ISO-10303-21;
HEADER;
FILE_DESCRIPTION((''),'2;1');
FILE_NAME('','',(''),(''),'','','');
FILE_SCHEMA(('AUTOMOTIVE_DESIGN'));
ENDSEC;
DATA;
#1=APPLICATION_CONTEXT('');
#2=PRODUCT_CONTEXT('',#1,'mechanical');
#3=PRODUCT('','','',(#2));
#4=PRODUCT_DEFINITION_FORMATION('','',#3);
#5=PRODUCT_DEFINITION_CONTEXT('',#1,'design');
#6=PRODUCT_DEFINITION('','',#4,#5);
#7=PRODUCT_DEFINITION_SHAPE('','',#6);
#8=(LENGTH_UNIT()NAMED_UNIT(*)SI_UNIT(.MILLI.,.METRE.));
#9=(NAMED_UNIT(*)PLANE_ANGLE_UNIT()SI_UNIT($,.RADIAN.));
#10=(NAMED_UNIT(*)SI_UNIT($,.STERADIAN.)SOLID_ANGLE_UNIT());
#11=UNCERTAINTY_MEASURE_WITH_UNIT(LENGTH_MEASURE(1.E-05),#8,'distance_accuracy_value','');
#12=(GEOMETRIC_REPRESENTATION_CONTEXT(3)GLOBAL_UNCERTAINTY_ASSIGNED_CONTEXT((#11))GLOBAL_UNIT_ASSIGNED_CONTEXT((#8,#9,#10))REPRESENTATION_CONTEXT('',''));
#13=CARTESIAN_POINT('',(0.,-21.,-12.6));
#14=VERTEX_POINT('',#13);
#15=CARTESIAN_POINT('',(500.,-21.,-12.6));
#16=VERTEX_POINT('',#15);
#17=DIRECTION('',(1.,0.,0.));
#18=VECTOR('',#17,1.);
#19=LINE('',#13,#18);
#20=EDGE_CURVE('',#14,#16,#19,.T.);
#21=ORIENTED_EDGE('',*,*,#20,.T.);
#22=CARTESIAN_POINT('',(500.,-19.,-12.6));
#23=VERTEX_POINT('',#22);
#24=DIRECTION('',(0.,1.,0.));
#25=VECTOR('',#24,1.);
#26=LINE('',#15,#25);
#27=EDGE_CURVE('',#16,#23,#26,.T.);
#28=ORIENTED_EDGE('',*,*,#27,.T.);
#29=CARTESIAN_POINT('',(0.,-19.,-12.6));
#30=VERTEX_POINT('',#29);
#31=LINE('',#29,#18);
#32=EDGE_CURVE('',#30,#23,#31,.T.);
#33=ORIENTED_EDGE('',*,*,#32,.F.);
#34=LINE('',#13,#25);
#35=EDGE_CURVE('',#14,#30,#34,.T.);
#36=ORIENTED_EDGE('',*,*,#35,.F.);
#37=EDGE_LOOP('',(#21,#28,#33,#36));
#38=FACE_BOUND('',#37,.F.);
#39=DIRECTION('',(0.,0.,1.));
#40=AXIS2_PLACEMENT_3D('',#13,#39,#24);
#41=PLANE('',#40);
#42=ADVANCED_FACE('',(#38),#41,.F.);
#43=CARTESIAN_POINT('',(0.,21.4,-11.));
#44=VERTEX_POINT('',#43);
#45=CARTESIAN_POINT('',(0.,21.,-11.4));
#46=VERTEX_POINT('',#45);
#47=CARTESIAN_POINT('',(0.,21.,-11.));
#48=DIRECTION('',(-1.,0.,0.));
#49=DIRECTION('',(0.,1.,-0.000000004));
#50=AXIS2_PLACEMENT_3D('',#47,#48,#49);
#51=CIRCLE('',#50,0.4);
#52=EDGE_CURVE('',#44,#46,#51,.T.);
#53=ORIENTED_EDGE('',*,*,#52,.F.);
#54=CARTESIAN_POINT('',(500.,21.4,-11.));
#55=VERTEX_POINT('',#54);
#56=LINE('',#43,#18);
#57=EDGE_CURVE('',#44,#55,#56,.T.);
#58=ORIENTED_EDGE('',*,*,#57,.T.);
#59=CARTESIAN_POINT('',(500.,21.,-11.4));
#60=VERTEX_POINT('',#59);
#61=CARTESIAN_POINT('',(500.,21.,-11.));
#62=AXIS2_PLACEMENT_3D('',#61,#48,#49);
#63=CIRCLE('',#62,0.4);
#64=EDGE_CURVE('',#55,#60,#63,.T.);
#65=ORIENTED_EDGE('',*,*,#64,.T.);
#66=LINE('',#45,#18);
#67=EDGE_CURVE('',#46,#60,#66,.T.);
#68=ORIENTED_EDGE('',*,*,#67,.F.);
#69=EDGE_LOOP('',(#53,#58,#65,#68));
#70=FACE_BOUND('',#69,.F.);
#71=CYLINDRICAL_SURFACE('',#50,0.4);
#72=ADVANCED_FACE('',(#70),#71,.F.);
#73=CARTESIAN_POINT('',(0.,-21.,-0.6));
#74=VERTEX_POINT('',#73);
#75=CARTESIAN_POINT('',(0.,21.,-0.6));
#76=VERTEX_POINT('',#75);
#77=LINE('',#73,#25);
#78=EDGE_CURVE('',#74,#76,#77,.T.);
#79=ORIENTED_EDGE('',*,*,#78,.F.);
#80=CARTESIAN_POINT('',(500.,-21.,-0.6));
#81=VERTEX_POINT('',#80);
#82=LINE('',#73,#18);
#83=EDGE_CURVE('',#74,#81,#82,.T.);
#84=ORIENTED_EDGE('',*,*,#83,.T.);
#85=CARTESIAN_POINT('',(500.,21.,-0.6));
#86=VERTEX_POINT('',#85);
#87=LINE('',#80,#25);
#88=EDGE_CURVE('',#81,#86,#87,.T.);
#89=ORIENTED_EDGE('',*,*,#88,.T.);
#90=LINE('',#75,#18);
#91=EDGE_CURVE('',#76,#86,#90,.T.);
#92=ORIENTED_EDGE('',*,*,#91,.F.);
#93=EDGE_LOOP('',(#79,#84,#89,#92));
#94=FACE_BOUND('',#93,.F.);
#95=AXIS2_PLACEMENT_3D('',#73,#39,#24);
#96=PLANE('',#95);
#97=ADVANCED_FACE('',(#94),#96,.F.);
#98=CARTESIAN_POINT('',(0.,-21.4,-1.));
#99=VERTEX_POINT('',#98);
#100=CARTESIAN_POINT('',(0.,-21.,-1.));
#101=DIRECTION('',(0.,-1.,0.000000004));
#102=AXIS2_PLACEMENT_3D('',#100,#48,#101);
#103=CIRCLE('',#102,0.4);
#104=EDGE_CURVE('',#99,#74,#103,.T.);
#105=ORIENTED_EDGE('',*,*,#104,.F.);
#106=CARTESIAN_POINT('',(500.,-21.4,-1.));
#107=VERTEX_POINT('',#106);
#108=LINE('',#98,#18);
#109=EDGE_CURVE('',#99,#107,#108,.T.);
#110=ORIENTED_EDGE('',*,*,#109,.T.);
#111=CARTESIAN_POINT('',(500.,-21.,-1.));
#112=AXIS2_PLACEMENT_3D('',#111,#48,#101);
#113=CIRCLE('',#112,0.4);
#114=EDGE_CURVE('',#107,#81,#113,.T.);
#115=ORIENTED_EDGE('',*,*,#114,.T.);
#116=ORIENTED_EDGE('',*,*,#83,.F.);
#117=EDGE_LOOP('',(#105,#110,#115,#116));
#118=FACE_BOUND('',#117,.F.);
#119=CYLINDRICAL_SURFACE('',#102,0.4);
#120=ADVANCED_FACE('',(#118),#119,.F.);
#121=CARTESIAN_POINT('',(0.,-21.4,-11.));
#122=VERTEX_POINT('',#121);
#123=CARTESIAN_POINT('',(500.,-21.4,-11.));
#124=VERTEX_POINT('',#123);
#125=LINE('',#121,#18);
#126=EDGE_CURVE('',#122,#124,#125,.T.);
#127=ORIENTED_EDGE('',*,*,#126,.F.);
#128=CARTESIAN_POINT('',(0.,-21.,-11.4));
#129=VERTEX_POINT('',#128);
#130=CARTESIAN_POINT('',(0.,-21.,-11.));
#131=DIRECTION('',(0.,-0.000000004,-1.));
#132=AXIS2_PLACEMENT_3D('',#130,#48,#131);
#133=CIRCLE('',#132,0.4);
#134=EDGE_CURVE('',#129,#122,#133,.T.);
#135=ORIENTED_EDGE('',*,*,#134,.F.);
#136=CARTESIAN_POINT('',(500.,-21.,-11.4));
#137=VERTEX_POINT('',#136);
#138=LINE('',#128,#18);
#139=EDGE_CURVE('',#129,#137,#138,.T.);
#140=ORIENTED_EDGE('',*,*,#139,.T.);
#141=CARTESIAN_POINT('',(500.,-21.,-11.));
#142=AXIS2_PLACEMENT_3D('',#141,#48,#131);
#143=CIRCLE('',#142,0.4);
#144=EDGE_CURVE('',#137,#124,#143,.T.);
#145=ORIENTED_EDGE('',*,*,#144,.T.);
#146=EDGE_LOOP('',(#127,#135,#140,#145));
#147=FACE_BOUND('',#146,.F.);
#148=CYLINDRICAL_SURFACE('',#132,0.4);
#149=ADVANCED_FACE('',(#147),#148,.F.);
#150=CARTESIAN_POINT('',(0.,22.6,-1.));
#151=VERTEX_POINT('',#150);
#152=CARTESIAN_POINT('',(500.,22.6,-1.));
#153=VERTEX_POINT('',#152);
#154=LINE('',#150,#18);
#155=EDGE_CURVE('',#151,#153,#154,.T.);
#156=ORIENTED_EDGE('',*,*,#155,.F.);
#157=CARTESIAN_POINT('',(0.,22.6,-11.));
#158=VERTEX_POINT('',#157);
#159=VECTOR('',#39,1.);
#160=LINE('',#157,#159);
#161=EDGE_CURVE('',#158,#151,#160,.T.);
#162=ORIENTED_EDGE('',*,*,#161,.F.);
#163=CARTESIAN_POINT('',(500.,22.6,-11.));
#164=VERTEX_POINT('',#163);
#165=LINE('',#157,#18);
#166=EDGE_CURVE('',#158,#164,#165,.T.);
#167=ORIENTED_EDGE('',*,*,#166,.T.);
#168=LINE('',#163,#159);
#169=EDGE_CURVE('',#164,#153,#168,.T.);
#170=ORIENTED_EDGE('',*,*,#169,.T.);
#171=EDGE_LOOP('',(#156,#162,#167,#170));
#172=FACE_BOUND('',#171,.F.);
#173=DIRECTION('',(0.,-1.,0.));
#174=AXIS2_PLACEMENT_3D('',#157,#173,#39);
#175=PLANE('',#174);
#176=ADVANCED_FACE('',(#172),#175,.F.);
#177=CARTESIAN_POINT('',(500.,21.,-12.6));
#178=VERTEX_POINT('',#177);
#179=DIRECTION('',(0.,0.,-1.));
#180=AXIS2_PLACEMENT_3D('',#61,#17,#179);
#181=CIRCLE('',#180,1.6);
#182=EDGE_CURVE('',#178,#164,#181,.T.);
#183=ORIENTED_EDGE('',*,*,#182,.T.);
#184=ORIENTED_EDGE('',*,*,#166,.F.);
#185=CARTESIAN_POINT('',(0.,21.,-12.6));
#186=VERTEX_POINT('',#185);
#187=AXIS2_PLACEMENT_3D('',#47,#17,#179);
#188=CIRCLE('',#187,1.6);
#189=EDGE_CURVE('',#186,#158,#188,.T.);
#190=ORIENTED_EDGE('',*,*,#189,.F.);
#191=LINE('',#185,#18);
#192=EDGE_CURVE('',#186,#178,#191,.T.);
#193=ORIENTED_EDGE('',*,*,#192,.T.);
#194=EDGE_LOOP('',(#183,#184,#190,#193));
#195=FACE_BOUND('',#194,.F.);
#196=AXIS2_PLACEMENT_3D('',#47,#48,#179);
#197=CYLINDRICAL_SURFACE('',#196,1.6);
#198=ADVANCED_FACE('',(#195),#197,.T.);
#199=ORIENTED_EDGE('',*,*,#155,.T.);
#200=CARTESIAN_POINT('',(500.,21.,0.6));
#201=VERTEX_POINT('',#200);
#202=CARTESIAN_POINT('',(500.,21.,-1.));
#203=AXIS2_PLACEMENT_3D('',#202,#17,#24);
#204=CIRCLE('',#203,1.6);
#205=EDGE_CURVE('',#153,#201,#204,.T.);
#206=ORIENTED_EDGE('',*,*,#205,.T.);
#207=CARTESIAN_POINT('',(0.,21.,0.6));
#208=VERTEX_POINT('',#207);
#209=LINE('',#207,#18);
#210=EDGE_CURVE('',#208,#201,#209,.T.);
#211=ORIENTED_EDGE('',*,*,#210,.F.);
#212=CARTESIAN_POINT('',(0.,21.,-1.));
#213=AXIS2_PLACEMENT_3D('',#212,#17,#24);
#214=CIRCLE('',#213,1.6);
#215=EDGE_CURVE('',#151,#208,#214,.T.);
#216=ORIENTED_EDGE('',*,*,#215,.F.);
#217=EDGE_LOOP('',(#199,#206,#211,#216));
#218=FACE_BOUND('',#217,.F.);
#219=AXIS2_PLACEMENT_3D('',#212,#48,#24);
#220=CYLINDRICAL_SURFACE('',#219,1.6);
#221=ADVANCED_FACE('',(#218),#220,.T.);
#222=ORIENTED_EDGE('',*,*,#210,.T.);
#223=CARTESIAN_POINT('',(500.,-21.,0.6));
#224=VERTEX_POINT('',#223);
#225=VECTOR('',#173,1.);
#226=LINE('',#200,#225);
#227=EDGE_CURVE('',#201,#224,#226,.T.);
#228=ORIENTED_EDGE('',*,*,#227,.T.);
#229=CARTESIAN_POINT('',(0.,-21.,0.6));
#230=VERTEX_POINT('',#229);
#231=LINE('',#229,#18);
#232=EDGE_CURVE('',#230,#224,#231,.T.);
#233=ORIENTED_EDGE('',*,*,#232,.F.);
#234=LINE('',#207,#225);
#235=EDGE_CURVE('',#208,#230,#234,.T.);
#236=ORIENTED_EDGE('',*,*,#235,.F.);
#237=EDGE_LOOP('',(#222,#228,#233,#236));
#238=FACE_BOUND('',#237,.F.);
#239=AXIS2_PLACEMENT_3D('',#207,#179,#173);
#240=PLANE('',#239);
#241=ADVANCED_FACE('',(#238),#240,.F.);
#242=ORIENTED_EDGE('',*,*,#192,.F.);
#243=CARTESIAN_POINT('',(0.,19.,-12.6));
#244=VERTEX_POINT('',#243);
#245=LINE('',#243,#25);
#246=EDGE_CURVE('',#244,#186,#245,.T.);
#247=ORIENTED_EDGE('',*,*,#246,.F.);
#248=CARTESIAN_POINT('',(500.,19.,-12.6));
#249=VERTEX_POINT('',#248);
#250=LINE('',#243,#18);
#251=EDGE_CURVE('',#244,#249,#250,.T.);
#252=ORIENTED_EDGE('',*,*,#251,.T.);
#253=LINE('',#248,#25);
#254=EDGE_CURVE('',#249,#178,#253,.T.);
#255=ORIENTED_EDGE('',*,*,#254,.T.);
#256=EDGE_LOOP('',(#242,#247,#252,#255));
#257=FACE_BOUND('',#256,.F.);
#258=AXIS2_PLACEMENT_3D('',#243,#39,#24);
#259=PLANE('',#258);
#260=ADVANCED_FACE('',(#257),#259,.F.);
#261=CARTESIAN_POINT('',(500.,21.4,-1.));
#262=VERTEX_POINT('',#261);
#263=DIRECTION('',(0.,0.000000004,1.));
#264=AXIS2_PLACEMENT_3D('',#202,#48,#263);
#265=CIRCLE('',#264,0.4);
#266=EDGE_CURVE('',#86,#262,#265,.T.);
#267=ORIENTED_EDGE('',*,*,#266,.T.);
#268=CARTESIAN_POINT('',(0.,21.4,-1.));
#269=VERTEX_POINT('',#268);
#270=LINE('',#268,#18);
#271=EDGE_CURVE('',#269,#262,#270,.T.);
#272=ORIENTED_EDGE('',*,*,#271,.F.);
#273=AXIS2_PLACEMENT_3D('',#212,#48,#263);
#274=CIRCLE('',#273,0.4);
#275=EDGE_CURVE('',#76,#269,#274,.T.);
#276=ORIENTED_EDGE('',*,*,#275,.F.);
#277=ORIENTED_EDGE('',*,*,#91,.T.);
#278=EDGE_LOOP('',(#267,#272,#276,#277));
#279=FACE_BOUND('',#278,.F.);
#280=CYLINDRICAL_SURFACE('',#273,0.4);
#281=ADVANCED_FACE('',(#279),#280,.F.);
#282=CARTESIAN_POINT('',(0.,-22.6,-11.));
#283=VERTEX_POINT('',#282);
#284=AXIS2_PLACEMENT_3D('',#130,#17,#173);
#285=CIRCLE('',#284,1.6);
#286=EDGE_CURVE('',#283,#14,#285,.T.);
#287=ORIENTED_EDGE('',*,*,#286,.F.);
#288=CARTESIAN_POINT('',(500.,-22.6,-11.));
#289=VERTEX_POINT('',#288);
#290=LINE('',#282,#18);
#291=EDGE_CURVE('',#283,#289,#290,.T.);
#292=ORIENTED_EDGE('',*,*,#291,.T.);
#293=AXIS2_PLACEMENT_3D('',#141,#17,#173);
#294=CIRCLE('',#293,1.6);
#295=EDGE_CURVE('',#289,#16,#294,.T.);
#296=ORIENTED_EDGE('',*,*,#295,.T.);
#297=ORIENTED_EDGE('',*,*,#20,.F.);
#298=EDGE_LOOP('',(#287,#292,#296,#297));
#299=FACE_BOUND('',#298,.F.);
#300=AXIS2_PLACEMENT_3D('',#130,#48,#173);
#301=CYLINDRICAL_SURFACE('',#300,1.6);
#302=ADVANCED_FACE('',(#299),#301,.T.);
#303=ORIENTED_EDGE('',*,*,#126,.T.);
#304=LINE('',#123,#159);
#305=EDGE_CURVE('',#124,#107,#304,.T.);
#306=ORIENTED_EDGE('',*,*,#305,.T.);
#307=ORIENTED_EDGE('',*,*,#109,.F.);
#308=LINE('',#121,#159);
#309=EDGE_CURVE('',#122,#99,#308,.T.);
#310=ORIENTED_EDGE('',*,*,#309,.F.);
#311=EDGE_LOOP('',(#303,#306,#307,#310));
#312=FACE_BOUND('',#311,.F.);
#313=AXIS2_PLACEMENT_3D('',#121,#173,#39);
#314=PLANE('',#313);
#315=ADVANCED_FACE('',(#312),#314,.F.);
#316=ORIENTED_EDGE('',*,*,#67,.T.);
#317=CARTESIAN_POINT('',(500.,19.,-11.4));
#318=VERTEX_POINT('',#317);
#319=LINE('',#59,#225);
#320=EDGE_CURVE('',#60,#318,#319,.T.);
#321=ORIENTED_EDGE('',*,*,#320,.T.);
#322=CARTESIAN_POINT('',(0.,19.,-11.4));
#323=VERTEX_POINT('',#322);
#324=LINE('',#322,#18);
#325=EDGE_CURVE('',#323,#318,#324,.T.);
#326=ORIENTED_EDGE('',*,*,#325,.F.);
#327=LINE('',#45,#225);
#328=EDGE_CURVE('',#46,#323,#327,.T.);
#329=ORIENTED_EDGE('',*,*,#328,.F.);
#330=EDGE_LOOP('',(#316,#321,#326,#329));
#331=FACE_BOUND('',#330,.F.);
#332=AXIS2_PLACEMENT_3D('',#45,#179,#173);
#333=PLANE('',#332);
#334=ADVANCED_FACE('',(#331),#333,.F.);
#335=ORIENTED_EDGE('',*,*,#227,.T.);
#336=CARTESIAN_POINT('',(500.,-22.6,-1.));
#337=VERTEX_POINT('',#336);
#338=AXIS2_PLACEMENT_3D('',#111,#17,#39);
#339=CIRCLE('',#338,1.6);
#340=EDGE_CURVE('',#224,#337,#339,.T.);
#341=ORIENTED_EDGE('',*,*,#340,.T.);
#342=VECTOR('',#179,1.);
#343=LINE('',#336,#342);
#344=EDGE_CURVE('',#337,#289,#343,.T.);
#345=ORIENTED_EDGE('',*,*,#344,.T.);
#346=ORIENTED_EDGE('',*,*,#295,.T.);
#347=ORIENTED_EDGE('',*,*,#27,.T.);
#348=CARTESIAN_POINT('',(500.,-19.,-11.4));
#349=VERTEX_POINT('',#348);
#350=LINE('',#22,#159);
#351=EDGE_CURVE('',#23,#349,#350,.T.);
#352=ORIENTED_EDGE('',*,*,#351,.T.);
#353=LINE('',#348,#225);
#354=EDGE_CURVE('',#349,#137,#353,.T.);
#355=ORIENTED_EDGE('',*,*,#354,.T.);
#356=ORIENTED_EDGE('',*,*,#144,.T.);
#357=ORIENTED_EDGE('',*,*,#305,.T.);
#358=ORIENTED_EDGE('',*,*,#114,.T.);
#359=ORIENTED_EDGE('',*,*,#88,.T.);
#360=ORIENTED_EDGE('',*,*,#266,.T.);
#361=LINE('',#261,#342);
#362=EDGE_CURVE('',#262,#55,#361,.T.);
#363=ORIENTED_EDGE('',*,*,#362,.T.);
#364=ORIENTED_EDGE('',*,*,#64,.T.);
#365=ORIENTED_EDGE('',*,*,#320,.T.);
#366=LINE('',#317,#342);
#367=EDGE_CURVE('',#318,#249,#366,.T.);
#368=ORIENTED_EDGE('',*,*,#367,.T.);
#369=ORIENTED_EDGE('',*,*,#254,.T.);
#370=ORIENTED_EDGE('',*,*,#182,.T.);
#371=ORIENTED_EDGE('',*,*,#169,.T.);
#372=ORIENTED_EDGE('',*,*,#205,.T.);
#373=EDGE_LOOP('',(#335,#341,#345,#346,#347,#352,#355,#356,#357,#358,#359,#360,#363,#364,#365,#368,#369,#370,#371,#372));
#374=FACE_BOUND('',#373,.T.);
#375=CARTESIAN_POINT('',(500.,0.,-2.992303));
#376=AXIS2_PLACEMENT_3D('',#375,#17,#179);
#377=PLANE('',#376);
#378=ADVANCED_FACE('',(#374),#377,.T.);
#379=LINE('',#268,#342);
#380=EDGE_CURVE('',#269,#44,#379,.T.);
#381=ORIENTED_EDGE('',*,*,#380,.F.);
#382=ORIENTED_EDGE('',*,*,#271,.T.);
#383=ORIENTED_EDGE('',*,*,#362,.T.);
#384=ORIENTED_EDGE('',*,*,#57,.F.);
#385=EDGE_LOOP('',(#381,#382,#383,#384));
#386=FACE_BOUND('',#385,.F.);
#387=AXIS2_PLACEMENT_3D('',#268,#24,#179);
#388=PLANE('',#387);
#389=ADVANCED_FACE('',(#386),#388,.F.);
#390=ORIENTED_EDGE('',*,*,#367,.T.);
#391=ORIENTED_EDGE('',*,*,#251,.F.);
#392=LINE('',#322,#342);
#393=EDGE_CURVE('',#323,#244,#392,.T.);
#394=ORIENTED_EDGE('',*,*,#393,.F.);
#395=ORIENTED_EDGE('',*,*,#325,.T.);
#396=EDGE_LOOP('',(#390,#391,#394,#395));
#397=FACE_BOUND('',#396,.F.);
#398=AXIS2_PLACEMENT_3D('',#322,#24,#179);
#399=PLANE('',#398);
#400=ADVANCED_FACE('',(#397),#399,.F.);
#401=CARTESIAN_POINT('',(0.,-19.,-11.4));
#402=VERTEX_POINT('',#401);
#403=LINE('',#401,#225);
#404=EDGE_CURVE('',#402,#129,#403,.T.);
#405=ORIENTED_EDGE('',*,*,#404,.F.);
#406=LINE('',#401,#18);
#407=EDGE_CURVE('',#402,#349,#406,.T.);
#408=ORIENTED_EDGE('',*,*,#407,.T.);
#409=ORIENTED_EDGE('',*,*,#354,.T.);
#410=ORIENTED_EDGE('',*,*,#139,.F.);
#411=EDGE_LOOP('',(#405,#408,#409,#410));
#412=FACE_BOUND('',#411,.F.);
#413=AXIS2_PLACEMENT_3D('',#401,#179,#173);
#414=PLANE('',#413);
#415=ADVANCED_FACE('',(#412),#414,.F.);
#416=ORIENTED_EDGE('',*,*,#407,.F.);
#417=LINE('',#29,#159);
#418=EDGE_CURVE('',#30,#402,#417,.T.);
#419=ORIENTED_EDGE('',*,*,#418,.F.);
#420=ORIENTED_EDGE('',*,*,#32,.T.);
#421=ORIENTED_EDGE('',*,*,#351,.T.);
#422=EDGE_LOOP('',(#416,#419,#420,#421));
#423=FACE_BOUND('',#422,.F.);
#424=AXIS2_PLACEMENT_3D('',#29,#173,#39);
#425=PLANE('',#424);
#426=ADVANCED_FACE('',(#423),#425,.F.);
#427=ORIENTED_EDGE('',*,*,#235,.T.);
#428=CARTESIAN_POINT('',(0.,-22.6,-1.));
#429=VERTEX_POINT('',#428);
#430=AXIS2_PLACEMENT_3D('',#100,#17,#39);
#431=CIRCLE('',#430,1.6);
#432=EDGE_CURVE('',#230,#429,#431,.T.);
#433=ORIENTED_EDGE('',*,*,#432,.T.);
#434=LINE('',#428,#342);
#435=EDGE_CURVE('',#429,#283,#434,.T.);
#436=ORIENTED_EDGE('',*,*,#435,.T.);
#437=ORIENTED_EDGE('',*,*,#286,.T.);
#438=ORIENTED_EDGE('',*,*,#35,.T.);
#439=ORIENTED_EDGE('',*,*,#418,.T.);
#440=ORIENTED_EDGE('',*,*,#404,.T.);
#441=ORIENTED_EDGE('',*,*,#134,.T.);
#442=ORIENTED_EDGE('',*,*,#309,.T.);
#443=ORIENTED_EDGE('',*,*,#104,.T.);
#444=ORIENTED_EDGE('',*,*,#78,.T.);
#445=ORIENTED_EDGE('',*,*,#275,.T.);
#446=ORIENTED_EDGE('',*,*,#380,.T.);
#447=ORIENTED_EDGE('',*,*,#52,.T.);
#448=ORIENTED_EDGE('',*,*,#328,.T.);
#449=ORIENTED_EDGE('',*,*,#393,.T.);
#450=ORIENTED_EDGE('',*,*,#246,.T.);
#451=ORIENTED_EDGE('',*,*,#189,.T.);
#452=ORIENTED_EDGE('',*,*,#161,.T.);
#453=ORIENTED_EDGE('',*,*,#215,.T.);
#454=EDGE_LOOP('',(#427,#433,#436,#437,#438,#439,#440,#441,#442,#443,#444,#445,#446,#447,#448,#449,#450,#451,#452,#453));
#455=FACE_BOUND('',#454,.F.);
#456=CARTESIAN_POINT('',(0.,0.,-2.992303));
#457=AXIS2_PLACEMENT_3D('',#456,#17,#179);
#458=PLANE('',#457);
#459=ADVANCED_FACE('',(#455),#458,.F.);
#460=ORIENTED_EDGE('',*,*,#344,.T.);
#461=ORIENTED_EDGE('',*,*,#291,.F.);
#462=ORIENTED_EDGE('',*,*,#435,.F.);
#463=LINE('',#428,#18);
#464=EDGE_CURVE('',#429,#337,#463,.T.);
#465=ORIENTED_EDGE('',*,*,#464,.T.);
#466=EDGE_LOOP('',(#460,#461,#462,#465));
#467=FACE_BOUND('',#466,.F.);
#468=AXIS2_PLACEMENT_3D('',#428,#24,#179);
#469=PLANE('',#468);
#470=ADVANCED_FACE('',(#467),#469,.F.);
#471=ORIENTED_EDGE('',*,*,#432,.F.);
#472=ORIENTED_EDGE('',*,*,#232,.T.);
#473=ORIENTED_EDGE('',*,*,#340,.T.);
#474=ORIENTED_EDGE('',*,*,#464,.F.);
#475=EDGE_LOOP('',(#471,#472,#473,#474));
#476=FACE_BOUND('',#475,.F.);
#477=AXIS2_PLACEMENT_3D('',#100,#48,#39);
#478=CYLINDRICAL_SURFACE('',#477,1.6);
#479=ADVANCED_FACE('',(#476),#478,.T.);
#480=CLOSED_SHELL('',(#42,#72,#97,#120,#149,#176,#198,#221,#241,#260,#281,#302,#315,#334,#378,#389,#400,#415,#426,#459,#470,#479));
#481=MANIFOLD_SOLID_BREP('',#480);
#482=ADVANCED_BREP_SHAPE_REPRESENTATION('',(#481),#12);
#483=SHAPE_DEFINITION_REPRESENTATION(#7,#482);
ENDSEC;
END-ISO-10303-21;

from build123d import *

# Parameters (mm, degrees)
EXTRUDE_1_DEPTH = 500


with BuildPart() as part:
    # Эскиз1 → Вытянуть-Тонкостенный1 (new body)
    with BuildSketch(Plane(origin=(0, 0, 0), x_dir=(0, 0, -1), z_dir=(1, 0, 0))):
        with BuildLine():
            Line((11.4, -19), (11.4, -21))
            ThreePointArc((11.4, -21), (11.282842712, -21.282842712), (11, -21.4))
            Line((11, -21.4), (1, -21.4))
            ThreePointArc((1, -21.4), (0.717157288, -21.282842712), (0.6, -21))
            Line((0.6, -21), (0.6, 21))
            ThreePointArc((0.6, 21), (0.717157288, 21.282842712), (1, 21.4))
            Line((1, 21.4), (11, 21.4))
            ThreePointArc((11, 21.4), (11.282842712, 21.282842712), (11.4, 21))
            Line((11.4, 21), (11.4, 19))
            Line((11.4, 19), (12.6, 19))
            Line((12.6, 19), (12.6, 21))
            ThreePointArc((12.6, 21), (12.13137085, 22.13137085), (11, 22.6))
            Line((11, 22.6), (1, 22.6))
            ThreePointArc((1, 22.6), (-0.13137085, 22.13137085), (-0.6, 21))
            Line((-0.6, 21), (-0.6, -21))
            ThreePointArc((-0.6, -21), (-0.13137085, -22.13137085), (1, -22.6))
            Line((1, -22.6), (11, -22.6))
            ThreePointArc((11, -22.6), (12.13137085, -22.13137085), (12.6, -21))
            Line((12.6, -21), (12.6, -19))
            Line((12.6, -19), (11.4, -19))
        make_face()
    extrude(amount=EXTRUDE_1_DEPTH)


solid = part.part
